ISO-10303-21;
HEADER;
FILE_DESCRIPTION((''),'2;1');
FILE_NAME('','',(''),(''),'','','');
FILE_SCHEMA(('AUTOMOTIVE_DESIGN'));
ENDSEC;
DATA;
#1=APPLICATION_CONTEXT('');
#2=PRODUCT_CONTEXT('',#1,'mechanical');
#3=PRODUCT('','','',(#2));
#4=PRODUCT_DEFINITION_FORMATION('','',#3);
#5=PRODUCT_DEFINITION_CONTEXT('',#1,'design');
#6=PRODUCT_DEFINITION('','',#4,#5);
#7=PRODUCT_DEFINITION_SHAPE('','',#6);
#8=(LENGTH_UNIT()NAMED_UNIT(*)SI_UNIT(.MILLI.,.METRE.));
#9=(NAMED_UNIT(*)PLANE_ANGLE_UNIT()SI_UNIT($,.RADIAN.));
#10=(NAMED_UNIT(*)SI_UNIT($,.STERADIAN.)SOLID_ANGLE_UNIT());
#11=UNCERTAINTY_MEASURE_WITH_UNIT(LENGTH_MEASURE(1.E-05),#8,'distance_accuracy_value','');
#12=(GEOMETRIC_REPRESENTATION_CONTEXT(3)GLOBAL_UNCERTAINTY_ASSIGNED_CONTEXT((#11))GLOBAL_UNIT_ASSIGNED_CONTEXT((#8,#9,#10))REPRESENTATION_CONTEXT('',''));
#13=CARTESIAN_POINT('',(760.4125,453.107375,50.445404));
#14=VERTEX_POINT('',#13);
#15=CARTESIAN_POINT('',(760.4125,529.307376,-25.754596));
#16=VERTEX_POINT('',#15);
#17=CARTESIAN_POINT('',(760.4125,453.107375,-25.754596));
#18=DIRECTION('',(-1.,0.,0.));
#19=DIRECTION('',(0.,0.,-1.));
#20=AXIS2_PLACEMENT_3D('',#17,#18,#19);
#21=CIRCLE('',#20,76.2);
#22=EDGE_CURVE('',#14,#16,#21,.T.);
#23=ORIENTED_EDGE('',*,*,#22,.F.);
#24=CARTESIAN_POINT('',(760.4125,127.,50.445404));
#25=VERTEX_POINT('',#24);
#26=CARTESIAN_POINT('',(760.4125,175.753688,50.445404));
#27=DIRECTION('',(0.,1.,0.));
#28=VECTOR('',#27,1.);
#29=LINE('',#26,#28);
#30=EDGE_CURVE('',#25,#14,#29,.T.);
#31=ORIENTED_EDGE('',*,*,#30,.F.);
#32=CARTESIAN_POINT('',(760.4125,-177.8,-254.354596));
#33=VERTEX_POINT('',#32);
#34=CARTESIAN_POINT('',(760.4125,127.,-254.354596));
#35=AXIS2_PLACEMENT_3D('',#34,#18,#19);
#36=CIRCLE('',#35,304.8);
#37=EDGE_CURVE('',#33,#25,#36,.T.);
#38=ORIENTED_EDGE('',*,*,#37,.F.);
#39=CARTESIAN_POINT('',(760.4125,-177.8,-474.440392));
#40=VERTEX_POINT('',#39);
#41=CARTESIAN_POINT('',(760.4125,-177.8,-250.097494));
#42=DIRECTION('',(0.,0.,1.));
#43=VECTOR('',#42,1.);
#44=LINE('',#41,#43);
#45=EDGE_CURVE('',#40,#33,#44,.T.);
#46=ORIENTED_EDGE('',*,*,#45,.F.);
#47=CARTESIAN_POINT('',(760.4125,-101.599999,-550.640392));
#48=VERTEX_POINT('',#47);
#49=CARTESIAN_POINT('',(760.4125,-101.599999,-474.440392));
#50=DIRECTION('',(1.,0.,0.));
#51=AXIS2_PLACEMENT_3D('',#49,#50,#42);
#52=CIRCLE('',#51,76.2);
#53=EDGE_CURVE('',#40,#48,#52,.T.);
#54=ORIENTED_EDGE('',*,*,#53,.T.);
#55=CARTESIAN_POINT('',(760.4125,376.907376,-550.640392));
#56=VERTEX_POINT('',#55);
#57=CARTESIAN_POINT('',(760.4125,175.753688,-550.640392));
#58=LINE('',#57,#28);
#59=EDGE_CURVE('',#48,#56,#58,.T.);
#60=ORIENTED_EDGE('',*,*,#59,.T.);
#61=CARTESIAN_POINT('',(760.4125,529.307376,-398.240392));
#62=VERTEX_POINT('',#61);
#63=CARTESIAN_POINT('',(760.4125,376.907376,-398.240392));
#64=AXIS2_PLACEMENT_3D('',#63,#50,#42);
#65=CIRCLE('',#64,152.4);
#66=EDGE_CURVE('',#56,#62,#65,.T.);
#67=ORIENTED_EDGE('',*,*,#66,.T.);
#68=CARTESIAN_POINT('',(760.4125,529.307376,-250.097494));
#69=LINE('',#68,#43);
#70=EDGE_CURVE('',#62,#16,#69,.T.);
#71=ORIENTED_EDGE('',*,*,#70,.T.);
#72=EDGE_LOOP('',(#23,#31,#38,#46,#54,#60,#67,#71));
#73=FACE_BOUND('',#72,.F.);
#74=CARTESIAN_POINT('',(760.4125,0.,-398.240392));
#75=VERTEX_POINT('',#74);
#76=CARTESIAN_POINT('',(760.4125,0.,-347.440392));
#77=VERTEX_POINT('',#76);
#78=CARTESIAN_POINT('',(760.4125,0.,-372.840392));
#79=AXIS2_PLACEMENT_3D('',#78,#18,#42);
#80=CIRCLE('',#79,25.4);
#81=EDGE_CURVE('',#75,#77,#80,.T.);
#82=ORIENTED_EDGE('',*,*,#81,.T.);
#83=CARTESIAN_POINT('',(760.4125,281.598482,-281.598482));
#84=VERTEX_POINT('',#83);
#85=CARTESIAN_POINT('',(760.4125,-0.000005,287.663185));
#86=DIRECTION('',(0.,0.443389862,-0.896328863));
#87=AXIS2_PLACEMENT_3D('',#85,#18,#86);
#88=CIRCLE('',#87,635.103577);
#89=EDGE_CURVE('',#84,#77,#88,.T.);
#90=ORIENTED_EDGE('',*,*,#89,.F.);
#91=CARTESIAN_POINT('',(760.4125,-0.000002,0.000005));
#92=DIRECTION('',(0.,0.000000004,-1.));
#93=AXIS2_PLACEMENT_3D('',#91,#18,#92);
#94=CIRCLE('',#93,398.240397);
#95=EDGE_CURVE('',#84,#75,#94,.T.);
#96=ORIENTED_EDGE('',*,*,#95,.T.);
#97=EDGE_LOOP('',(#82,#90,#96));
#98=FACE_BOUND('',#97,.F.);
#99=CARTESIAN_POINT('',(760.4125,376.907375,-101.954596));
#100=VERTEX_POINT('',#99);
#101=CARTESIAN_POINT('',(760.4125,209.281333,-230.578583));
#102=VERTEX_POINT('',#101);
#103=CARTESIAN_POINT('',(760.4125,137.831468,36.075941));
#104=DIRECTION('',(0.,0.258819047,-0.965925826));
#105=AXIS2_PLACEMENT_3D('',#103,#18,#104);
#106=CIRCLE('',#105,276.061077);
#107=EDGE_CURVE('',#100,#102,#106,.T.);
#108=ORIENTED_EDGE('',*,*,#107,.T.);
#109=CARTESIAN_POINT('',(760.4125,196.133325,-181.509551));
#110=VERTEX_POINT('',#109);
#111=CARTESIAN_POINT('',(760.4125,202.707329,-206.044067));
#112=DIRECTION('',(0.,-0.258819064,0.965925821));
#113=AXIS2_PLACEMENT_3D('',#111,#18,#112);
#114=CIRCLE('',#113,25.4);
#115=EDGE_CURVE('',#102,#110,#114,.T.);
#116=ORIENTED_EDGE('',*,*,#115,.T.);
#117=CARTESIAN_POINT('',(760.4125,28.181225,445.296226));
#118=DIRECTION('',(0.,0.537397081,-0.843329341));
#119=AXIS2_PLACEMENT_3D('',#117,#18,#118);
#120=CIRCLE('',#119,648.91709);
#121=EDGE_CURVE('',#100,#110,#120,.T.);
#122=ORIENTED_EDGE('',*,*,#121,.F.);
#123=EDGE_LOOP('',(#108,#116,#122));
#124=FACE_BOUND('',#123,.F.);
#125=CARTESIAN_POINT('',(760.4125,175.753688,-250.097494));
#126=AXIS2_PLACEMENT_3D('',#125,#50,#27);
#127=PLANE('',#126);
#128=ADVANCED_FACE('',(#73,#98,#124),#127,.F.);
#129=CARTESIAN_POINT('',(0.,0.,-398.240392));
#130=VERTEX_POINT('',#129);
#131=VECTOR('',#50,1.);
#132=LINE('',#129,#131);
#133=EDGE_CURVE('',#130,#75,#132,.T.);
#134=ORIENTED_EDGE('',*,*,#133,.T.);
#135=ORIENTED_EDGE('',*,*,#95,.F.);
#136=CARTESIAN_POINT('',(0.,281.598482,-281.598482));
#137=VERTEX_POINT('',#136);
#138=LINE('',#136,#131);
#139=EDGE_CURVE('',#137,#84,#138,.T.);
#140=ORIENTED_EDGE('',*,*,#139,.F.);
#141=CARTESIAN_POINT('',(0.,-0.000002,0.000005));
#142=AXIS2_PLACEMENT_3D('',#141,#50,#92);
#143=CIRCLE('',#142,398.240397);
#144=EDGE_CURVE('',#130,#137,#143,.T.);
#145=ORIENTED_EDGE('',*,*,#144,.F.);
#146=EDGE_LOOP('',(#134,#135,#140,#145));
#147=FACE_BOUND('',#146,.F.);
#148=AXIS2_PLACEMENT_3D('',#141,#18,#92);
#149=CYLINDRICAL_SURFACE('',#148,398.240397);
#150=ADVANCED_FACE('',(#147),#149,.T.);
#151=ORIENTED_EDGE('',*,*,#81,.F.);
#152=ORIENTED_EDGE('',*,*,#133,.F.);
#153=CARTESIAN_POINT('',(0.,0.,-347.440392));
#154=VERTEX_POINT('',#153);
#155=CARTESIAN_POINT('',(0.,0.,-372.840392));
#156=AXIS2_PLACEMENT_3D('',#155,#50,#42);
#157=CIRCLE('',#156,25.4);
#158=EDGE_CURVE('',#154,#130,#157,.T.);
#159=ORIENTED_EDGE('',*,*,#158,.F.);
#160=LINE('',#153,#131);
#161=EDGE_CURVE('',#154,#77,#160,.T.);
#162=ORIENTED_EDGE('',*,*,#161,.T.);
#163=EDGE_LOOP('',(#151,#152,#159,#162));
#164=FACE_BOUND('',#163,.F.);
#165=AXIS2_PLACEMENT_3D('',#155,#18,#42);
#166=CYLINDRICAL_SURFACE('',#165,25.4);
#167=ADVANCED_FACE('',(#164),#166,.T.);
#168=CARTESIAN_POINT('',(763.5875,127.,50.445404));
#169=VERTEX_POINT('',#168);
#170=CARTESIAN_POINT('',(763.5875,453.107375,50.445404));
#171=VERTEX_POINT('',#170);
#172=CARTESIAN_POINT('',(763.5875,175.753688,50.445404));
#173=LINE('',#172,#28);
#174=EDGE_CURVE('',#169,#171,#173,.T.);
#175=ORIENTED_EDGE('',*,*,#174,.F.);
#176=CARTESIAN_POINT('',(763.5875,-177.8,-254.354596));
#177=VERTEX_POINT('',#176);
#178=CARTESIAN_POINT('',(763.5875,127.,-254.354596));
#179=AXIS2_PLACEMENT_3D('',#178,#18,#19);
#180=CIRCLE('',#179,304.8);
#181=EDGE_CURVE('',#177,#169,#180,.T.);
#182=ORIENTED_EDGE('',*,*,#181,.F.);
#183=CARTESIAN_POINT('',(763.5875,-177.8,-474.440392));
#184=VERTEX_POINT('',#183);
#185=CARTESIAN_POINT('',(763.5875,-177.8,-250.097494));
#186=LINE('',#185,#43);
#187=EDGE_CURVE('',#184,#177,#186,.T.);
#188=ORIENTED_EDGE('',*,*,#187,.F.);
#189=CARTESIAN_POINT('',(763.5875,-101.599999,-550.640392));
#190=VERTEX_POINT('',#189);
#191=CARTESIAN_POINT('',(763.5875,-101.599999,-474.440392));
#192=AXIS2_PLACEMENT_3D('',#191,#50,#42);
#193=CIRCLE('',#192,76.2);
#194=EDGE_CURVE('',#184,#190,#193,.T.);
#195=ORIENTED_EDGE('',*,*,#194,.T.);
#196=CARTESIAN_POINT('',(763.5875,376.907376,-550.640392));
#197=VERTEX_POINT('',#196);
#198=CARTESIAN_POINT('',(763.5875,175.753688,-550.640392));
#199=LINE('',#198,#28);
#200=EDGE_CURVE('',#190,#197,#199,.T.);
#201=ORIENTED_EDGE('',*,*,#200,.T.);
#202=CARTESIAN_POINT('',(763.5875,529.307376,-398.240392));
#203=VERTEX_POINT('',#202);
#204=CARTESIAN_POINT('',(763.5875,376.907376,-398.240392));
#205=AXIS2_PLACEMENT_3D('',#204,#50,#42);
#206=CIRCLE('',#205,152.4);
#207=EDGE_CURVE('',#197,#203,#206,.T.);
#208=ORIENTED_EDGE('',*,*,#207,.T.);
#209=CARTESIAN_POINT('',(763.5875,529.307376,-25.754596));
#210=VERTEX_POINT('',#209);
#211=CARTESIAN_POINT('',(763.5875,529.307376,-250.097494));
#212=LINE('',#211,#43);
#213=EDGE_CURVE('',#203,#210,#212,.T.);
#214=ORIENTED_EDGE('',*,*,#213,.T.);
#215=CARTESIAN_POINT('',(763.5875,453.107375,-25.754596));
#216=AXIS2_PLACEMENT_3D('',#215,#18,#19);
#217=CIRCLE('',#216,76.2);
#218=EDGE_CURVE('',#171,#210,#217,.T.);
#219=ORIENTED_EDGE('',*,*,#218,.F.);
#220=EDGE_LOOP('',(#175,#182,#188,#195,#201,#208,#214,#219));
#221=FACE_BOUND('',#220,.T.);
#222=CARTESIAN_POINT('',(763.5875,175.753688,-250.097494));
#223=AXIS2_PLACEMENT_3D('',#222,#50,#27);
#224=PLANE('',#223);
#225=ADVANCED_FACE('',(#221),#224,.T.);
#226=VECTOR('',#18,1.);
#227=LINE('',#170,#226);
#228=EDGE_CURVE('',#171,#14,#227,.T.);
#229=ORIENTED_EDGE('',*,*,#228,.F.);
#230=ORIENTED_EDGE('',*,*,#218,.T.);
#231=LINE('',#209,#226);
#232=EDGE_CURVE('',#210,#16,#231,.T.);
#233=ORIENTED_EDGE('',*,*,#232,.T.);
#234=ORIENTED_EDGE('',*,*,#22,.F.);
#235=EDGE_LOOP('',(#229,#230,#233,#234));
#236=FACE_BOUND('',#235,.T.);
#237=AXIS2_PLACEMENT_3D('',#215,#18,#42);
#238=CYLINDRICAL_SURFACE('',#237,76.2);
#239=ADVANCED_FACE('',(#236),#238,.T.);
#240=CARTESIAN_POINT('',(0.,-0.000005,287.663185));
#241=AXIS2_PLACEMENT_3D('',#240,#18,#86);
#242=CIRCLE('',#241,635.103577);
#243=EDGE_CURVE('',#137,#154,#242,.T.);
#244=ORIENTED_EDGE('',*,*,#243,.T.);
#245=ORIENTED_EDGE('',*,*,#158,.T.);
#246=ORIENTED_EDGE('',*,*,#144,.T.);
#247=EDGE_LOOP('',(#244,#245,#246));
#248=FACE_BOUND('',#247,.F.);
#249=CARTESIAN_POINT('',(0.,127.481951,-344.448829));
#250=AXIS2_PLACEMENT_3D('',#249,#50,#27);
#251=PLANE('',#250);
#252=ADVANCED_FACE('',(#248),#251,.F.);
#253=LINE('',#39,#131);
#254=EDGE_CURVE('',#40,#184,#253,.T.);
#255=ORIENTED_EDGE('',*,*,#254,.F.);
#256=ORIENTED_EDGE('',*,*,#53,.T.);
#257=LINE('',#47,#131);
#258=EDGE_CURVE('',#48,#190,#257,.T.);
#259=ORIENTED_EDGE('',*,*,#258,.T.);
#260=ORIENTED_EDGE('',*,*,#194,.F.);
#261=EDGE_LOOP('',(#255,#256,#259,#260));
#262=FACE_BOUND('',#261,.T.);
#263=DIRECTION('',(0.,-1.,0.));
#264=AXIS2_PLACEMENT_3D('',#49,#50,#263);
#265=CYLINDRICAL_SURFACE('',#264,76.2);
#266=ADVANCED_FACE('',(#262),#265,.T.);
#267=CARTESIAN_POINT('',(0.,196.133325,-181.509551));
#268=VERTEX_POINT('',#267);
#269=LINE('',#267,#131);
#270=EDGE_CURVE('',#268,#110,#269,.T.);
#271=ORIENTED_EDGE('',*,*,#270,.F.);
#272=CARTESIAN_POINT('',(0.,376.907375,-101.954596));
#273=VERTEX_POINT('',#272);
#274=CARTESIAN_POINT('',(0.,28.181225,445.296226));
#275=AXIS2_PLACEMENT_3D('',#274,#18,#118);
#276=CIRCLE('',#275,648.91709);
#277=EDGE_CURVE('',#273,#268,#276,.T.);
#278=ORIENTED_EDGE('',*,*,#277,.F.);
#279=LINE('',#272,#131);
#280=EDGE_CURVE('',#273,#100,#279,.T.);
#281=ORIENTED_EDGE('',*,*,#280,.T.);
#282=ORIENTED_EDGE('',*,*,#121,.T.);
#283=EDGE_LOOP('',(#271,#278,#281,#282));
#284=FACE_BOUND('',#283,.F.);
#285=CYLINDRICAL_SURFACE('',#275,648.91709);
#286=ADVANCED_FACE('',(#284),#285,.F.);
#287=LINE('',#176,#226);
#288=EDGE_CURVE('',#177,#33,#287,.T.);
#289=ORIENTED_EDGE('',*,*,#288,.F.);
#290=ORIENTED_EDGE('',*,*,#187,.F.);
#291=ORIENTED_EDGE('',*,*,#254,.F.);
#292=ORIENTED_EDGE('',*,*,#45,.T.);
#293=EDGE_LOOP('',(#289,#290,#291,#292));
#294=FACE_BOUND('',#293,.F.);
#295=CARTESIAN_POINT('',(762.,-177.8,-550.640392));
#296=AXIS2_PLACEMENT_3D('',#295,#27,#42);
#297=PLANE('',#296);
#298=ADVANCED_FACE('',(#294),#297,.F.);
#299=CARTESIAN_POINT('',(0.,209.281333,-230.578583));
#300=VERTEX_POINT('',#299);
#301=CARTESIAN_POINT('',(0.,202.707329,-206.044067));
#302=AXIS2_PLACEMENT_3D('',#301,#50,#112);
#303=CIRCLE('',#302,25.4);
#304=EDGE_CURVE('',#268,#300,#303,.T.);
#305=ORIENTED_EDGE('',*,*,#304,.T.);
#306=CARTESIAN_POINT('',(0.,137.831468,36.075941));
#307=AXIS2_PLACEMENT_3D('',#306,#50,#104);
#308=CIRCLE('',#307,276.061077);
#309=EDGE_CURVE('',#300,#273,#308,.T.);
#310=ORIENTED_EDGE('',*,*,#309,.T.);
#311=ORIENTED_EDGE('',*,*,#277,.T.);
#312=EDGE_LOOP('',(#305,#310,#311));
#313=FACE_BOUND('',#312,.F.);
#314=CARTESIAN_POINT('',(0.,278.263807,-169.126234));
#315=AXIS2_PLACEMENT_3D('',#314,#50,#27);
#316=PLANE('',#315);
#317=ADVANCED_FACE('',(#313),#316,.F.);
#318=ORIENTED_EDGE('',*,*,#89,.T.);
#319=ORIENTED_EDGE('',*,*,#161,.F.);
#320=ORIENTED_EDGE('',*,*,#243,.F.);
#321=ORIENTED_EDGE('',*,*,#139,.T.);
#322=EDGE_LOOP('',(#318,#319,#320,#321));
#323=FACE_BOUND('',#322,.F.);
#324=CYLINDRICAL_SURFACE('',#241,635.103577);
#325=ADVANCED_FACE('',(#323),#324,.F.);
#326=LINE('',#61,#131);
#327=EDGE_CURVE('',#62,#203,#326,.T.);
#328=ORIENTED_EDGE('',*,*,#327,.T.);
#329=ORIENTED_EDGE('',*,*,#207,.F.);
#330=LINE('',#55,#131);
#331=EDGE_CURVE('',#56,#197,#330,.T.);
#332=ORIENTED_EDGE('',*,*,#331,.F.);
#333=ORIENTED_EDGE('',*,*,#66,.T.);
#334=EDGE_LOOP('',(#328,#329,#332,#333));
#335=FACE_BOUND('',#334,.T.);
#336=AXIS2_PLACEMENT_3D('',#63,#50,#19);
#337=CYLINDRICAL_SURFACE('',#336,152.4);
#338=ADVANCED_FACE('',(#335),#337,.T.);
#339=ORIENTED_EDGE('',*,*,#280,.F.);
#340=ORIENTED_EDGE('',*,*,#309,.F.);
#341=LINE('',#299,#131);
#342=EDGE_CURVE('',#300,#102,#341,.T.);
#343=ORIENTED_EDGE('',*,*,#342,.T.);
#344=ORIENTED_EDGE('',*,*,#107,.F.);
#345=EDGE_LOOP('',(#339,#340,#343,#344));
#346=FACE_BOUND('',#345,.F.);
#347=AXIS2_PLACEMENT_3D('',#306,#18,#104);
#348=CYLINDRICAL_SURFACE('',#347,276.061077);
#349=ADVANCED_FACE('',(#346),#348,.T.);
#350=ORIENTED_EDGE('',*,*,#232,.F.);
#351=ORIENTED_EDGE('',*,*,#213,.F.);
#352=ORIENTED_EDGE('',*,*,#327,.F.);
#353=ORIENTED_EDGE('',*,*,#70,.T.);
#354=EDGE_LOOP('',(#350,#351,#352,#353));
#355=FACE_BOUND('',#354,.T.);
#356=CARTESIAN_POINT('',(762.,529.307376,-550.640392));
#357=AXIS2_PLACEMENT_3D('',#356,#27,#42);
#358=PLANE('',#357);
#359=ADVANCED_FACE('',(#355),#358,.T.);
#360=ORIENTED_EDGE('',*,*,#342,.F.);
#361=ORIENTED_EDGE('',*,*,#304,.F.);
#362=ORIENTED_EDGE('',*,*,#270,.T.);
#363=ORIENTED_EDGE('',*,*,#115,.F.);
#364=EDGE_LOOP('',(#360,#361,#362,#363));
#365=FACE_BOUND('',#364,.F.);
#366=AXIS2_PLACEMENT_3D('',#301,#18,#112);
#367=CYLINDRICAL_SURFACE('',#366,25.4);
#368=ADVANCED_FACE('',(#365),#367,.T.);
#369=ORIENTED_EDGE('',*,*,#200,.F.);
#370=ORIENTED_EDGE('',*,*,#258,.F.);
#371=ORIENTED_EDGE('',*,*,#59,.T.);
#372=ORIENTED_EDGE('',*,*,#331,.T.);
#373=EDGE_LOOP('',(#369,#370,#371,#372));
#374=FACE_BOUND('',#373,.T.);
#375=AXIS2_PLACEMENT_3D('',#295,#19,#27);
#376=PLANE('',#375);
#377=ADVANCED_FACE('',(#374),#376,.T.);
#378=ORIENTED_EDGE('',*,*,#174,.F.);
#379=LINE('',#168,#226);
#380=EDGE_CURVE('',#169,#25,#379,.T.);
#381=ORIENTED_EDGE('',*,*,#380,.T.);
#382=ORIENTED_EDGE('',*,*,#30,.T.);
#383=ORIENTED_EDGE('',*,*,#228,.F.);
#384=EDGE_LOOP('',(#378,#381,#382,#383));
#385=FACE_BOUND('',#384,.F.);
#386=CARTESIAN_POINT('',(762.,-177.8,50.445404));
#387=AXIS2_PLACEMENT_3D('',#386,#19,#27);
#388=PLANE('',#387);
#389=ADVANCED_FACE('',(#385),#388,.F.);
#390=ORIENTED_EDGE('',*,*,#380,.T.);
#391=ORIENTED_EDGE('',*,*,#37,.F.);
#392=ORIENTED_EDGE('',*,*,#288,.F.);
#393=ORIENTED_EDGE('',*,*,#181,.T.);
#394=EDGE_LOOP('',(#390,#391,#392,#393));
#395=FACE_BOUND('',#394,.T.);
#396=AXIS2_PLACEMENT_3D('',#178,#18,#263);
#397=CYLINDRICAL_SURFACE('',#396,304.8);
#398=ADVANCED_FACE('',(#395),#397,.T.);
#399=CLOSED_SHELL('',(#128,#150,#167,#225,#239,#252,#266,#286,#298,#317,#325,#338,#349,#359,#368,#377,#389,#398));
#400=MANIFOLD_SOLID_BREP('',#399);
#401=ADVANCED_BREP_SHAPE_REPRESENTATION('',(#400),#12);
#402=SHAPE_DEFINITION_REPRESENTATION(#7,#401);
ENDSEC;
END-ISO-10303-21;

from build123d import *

# Parameters (mm, degrees)
F1_DEPTH = 762
F3_DEPTH = 762
F4_W     = 707.107375
F4_H     = 601.085796
F5_DEPTH = 1.5875
F6_R     = 304.8
F7_R     = 76.2
F8_R     = 152.4


with BuildPart() as f1:
    # F0 (on Right) → F1 (new body)
    with BuildSketch(Plane.YZ):
        with BuildLine():
            ThreePointArc((0, -347.440392), (-25.4, -372.840392), (0, -398.240392))
            ThreePointArc((0, -398.240392), (152.4, -367.926147), (281.598482, -281.598482))
            ThreePointArc((281.598482, -281.598482), (144.596734, -330.76089), (0, -347.440392))
        make_face()
    extrude(amount=F1_DEPTH)



with BuildPart() as f3:
    # F2 (on Right) → F3 (new body)
    with BuildSketch(Plane.YZ):
        with BuildLine():
            ThreePointArc((196.133325, -181.509551), (178.172813, -212.61807), (209.281333, -230.578583))
            ThreePointArc((209.281333, -230.578583), (305.886805, -182.938036), (376.907375, -101.954596))
            ThreePointArc((376.907375, -101.954596), (289.564758, -148.649932), (196.133325, -181.509551))
        make_face()
    extrude(amount=F3_DEPTH)


with BuildPart() as f1_1:
    add(f1.part)

    add(f3.part)  # F5 merges F3
    # F4 (on face) → F5 (join, symmetric)
    with BuildSketch(Plane.YZ.offset(762)):
        with Locations((175.753688, -250.097494)):
            Rectangle(F4_W, F4_H)
        with BuildLine():
            ThreePointArc((0, -347.440392), (144.596734, -330.76089), (281.598482, -281.598482))
            ThreePointArc((281.598482, -281.598482), (152.4, -367.926147), (0, -398.240392))
            ThreePointArc((0, -398.240392), (-25.4, -372.840392), (0, -347.440392))
        make_face(mode=Mode.SUBTRACT)
        with BuildLine():
            ThreePointArc((0, -398.240392), (152.4, -367.926147), (281.598482, -281.598482))
            ThreePointArc((281.598482, -281.598482), (144.596734, -330.76089), (0, -347.440392))
            ThreePointArc((0, -347.440392), (-25.4, -372.840392), (0, -398.240392))
        make_face()
    extrude(amount=F5_DEPTH, both=True)

    # F6
    f6_edges = [f1_1.edges().sort_by_distance(p)[0] for p in [
        (762, -177.8, 50.445404),
    ]]
    fillet(f6_edges, radius=F6_R)

    # F7
    f7_edges = [f1_1.edges().sort_by_distance(p)[0] for p in [
        (762, -177.8, -550.640392),
        (762, 529.307375, 50.445404),
    ]]
    fillet(f7_edges, radius=F7_R)

    # F8
    f8_edges = [f1_1.edges().sort_by_distance(p)[0] for p in [
        (762, 529.307375, -550.640392),
    ]]
    fillet(f8_edges, radius=F8_R)


solid = f1_1.part
